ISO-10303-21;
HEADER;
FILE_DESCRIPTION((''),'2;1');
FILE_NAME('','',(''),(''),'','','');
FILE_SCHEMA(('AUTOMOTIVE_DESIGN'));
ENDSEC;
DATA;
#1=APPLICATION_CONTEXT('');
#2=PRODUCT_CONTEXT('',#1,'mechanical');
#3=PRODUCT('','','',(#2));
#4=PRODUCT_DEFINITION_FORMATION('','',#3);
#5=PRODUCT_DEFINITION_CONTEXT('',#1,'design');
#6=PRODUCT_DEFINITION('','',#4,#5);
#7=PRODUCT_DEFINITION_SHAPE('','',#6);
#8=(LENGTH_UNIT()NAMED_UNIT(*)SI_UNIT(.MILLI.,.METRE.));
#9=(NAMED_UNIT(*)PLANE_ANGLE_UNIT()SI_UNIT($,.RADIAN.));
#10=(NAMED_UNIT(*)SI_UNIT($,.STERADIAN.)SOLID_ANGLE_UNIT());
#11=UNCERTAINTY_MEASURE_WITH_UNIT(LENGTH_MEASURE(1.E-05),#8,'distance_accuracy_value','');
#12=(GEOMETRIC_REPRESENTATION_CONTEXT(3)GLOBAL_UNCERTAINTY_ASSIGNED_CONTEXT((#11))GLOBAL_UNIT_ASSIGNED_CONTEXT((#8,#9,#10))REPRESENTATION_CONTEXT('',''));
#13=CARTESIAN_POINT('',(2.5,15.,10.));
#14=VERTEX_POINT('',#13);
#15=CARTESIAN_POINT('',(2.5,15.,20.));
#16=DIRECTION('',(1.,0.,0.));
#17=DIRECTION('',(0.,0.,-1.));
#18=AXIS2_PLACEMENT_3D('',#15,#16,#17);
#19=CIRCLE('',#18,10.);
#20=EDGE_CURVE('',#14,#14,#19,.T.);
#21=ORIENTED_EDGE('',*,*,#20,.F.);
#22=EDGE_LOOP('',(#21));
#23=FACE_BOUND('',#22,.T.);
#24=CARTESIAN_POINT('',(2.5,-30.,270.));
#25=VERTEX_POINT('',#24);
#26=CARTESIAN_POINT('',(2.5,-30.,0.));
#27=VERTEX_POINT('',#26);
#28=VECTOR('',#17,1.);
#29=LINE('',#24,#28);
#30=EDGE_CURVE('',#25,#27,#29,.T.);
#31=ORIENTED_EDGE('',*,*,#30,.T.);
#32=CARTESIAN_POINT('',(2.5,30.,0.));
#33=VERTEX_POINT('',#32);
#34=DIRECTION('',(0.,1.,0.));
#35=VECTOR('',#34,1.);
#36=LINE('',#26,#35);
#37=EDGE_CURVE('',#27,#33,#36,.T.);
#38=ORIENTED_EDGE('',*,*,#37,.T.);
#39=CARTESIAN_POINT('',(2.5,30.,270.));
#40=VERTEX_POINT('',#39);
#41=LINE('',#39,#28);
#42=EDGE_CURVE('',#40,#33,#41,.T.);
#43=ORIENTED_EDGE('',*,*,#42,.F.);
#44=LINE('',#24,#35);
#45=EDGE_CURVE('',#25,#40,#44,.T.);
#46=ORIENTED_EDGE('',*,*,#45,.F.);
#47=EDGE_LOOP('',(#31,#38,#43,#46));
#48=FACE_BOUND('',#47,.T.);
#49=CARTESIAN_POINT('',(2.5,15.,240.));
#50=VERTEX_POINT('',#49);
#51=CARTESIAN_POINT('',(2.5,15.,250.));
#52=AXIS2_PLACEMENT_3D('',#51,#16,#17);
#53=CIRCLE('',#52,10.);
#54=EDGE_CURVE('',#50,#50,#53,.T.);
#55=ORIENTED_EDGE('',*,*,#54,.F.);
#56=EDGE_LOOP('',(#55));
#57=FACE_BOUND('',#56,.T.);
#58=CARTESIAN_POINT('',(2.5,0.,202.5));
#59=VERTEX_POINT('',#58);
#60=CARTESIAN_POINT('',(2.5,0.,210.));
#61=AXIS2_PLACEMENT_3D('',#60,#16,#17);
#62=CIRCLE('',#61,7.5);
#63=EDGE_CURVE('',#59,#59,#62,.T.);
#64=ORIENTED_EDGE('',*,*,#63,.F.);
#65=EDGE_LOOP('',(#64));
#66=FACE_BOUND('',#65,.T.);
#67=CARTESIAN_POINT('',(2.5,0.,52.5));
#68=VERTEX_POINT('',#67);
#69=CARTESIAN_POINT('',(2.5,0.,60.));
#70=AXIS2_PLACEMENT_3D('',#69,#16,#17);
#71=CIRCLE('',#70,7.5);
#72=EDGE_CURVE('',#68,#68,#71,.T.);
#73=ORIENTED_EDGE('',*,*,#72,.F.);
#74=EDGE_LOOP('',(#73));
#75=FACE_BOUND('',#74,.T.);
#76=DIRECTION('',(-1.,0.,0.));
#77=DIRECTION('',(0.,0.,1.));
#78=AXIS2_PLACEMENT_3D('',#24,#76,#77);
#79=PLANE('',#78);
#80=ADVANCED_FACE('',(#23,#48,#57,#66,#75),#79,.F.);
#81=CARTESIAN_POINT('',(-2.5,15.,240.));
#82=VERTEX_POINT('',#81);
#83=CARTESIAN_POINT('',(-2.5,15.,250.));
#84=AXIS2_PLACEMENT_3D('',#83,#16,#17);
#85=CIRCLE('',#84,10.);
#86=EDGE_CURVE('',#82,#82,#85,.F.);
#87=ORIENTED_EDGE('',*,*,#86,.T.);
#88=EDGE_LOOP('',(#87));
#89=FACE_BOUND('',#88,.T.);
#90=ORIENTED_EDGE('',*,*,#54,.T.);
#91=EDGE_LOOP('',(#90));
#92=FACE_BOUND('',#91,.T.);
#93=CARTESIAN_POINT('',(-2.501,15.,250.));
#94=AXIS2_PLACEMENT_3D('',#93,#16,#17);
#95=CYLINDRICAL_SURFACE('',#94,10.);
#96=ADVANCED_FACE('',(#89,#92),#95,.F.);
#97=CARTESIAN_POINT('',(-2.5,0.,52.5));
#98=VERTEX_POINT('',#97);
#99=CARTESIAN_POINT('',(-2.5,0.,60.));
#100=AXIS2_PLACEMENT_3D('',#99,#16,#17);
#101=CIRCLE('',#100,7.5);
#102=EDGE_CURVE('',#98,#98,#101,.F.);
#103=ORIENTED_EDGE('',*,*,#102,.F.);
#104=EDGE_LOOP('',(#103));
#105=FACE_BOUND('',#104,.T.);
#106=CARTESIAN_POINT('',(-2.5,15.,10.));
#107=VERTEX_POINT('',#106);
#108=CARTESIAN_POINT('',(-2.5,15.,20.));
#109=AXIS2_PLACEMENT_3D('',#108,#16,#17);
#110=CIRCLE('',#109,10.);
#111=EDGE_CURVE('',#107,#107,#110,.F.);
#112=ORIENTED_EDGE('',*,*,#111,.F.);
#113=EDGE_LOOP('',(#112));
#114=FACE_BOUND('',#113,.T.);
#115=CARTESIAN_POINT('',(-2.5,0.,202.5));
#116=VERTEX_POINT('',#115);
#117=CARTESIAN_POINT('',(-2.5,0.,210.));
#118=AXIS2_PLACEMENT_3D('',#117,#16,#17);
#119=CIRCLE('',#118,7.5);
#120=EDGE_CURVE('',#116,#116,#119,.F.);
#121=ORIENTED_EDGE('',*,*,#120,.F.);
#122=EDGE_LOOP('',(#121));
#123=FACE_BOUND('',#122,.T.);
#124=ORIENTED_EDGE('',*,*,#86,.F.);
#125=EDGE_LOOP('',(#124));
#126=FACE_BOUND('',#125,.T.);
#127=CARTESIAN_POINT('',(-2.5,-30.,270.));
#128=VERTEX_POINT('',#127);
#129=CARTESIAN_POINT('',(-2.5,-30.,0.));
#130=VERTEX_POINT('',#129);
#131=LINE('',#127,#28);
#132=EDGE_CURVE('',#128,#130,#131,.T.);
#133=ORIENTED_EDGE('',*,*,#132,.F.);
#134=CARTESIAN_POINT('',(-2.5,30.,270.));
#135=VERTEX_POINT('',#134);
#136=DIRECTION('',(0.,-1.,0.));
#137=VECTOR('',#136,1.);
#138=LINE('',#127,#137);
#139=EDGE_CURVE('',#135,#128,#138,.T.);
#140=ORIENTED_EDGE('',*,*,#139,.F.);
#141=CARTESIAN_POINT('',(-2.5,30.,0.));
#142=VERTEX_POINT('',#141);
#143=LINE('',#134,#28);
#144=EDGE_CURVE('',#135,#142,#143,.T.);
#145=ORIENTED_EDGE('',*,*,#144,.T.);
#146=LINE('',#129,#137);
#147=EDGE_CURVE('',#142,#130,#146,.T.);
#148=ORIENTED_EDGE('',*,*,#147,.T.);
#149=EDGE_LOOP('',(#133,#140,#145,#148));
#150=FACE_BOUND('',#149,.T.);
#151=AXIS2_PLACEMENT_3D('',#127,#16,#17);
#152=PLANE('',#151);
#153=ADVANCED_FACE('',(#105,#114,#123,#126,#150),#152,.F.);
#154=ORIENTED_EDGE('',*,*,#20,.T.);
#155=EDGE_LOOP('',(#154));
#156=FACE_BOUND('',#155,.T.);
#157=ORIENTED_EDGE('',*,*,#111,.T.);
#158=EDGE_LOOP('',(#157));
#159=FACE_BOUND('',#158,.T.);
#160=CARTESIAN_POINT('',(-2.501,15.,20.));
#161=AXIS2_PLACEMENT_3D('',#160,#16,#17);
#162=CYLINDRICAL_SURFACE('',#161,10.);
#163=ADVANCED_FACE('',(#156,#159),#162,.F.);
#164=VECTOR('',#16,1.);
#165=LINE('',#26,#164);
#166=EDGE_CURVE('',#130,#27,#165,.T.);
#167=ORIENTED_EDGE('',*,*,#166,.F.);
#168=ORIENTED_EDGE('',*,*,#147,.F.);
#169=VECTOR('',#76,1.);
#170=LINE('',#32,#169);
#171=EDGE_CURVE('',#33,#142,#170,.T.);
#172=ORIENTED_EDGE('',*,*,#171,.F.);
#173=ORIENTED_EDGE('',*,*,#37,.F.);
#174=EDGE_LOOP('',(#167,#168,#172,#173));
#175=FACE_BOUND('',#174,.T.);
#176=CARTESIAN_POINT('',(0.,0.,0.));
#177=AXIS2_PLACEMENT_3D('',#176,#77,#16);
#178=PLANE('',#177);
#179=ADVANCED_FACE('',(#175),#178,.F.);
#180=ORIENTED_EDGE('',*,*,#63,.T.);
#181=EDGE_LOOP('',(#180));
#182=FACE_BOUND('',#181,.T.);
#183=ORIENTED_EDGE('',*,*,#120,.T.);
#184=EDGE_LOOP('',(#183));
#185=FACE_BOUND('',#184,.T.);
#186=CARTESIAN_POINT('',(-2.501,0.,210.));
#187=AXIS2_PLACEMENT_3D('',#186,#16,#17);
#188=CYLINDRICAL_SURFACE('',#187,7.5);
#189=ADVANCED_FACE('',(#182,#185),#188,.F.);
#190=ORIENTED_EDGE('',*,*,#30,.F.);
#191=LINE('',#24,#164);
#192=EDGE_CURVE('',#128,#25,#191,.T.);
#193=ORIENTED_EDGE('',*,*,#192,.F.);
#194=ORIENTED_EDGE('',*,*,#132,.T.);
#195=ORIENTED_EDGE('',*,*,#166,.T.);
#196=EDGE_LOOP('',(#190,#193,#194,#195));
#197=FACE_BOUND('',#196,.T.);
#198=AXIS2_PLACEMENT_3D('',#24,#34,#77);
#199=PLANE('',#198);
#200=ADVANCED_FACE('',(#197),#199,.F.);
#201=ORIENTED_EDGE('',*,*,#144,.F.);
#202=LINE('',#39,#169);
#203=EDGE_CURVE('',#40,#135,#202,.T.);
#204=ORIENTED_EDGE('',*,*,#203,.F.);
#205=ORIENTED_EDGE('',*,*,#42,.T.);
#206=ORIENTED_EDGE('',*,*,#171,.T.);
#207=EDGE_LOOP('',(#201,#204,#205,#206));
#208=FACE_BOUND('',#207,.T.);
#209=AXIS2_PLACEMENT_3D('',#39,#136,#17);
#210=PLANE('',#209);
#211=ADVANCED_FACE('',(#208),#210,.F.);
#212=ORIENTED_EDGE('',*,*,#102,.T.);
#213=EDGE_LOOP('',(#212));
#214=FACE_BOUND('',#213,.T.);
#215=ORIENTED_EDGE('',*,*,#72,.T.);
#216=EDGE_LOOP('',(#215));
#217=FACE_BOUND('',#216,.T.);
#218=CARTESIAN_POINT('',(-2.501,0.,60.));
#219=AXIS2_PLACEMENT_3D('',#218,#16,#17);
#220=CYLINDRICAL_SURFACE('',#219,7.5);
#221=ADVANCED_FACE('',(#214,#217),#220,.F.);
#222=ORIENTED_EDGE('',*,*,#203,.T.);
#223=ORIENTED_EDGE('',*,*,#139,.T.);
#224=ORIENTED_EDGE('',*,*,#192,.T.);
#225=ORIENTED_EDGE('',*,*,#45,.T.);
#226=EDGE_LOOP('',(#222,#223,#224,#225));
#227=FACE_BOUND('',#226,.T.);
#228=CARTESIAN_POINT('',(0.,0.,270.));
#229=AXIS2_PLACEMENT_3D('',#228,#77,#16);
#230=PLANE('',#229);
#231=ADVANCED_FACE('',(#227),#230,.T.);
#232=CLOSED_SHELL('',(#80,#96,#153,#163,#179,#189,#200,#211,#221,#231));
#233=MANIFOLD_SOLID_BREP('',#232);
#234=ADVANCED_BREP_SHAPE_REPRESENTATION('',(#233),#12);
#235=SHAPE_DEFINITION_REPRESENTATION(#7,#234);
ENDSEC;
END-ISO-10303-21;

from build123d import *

# Parameters (mm, degrees)
SKETCH1_W           = 5
SKETCH1_H           = 60
BOSS_EXTRUDE1_DEPTH = 270
CUT_EXTRUDE1_REACH  = 273.708
SKETCH2_R           = 7.5
SKETCH2_R_2         = 10


with BuildPart() as part:
    # Sketch1 → Boss-Extrude1 (new body)
    with BuildSketch(Plane.XY):
        Rectangle(SKETCH1_W, SKETCH1_H)
    extrude(amount=BOSS_EXTRUDE1_DEPTH)

    # Sketch2 → Cut-Extrude1 (cut, up to next)
    with BuildSketch(Plane(origin=(2.5, 0, 0), x_dir=(0, 0, -1), z_dir=(1, 0, 0)), mode=Mode.PRIVATE) as cut_extrude1_sk1:
        with Locations((-60, 0)):
            Circle(SKETCH2_R)
    cut_extrude1_tool1 = extrude(cut_extrude1_sk1.sketch, amount=-CUT_EXTRUDE1_REACH, mode=Mode.PRIVATE) & part.part
    # Sketch2 → Cut-Extrude1 (cut, up to next)
    with BuildSketch(Plane(origin=(2.5, 0, 0), x_dir=(0, 0, -1), z_dir=(1, 0, 0)), mode=Mode.PRIVATE) as cut_extrude1_sk2:
        with Locations((-210, 0)):
            Circle(SKETCH2_R)
    cut_extrude1_tool2 = extrude(cut_extrude1_sk2.sketch, amount=-CUT_EXTRUDE1_REACH, mode=Mode.PRIVATE) & part.part
    # Sketch2 → Cut-Extrude1 (cut, up to next)
    with BuildSketch(Plane(origin=(2.5, 0, 0), x_dir=(0, 0, -1), z_dir=(1, 0, 0)), mode=Mode.PRIVATE) as cut_extrude1_sk3:
        with Locations((-250, 15)):
            Circle(SKETCH2_R_2)
    cut_extrude1_tool3 = extrude(cut_extrude1_sk3.sketch, amount=-CUT_EXTRUDE1_REACH, mode=Mode.PRIVATE) & part.part
    # Sketch2 → Cut-Extrude1 (cut, up to next)
    with BuildSketch(Plane(origin=(2.5, 0, 0), x_dir=(0, 0, -1), z_dir=(1, 0, 0)), mode=Mode.PRIVATE) as cut_extrude1_sk4:
        with Locations((-20, 15)):
            Circle(SKETCH2_R_2)
    cut_extrude1_tool4 = extrude(cut_extrude1_sk4.sketch, amount=-CUT_EXTRUDE1_REACH, mode=Mode.PRIVATE) & part.part
    add(cut_extrude1_tool1.solids().sort_by_distance((2.5, 0, 60))[0], mode=Mode.SUBTRACT)
    add(cut_extrude1_tool2.solids().sort_by_distance((2.5, 0, 210))[0], mode=Mode.SUBTRACT)
    add(cut_extrude1_tool3.solids().sort_by_distance((2.5, 15, 250))[0], mode=Mode.SUBTRACT)
    add(cut_extrude1_tool4.solids().sort_by_distance((2.5, 15, 20))[0], mode=Mode.SUBTRACT)


solid = part.part
